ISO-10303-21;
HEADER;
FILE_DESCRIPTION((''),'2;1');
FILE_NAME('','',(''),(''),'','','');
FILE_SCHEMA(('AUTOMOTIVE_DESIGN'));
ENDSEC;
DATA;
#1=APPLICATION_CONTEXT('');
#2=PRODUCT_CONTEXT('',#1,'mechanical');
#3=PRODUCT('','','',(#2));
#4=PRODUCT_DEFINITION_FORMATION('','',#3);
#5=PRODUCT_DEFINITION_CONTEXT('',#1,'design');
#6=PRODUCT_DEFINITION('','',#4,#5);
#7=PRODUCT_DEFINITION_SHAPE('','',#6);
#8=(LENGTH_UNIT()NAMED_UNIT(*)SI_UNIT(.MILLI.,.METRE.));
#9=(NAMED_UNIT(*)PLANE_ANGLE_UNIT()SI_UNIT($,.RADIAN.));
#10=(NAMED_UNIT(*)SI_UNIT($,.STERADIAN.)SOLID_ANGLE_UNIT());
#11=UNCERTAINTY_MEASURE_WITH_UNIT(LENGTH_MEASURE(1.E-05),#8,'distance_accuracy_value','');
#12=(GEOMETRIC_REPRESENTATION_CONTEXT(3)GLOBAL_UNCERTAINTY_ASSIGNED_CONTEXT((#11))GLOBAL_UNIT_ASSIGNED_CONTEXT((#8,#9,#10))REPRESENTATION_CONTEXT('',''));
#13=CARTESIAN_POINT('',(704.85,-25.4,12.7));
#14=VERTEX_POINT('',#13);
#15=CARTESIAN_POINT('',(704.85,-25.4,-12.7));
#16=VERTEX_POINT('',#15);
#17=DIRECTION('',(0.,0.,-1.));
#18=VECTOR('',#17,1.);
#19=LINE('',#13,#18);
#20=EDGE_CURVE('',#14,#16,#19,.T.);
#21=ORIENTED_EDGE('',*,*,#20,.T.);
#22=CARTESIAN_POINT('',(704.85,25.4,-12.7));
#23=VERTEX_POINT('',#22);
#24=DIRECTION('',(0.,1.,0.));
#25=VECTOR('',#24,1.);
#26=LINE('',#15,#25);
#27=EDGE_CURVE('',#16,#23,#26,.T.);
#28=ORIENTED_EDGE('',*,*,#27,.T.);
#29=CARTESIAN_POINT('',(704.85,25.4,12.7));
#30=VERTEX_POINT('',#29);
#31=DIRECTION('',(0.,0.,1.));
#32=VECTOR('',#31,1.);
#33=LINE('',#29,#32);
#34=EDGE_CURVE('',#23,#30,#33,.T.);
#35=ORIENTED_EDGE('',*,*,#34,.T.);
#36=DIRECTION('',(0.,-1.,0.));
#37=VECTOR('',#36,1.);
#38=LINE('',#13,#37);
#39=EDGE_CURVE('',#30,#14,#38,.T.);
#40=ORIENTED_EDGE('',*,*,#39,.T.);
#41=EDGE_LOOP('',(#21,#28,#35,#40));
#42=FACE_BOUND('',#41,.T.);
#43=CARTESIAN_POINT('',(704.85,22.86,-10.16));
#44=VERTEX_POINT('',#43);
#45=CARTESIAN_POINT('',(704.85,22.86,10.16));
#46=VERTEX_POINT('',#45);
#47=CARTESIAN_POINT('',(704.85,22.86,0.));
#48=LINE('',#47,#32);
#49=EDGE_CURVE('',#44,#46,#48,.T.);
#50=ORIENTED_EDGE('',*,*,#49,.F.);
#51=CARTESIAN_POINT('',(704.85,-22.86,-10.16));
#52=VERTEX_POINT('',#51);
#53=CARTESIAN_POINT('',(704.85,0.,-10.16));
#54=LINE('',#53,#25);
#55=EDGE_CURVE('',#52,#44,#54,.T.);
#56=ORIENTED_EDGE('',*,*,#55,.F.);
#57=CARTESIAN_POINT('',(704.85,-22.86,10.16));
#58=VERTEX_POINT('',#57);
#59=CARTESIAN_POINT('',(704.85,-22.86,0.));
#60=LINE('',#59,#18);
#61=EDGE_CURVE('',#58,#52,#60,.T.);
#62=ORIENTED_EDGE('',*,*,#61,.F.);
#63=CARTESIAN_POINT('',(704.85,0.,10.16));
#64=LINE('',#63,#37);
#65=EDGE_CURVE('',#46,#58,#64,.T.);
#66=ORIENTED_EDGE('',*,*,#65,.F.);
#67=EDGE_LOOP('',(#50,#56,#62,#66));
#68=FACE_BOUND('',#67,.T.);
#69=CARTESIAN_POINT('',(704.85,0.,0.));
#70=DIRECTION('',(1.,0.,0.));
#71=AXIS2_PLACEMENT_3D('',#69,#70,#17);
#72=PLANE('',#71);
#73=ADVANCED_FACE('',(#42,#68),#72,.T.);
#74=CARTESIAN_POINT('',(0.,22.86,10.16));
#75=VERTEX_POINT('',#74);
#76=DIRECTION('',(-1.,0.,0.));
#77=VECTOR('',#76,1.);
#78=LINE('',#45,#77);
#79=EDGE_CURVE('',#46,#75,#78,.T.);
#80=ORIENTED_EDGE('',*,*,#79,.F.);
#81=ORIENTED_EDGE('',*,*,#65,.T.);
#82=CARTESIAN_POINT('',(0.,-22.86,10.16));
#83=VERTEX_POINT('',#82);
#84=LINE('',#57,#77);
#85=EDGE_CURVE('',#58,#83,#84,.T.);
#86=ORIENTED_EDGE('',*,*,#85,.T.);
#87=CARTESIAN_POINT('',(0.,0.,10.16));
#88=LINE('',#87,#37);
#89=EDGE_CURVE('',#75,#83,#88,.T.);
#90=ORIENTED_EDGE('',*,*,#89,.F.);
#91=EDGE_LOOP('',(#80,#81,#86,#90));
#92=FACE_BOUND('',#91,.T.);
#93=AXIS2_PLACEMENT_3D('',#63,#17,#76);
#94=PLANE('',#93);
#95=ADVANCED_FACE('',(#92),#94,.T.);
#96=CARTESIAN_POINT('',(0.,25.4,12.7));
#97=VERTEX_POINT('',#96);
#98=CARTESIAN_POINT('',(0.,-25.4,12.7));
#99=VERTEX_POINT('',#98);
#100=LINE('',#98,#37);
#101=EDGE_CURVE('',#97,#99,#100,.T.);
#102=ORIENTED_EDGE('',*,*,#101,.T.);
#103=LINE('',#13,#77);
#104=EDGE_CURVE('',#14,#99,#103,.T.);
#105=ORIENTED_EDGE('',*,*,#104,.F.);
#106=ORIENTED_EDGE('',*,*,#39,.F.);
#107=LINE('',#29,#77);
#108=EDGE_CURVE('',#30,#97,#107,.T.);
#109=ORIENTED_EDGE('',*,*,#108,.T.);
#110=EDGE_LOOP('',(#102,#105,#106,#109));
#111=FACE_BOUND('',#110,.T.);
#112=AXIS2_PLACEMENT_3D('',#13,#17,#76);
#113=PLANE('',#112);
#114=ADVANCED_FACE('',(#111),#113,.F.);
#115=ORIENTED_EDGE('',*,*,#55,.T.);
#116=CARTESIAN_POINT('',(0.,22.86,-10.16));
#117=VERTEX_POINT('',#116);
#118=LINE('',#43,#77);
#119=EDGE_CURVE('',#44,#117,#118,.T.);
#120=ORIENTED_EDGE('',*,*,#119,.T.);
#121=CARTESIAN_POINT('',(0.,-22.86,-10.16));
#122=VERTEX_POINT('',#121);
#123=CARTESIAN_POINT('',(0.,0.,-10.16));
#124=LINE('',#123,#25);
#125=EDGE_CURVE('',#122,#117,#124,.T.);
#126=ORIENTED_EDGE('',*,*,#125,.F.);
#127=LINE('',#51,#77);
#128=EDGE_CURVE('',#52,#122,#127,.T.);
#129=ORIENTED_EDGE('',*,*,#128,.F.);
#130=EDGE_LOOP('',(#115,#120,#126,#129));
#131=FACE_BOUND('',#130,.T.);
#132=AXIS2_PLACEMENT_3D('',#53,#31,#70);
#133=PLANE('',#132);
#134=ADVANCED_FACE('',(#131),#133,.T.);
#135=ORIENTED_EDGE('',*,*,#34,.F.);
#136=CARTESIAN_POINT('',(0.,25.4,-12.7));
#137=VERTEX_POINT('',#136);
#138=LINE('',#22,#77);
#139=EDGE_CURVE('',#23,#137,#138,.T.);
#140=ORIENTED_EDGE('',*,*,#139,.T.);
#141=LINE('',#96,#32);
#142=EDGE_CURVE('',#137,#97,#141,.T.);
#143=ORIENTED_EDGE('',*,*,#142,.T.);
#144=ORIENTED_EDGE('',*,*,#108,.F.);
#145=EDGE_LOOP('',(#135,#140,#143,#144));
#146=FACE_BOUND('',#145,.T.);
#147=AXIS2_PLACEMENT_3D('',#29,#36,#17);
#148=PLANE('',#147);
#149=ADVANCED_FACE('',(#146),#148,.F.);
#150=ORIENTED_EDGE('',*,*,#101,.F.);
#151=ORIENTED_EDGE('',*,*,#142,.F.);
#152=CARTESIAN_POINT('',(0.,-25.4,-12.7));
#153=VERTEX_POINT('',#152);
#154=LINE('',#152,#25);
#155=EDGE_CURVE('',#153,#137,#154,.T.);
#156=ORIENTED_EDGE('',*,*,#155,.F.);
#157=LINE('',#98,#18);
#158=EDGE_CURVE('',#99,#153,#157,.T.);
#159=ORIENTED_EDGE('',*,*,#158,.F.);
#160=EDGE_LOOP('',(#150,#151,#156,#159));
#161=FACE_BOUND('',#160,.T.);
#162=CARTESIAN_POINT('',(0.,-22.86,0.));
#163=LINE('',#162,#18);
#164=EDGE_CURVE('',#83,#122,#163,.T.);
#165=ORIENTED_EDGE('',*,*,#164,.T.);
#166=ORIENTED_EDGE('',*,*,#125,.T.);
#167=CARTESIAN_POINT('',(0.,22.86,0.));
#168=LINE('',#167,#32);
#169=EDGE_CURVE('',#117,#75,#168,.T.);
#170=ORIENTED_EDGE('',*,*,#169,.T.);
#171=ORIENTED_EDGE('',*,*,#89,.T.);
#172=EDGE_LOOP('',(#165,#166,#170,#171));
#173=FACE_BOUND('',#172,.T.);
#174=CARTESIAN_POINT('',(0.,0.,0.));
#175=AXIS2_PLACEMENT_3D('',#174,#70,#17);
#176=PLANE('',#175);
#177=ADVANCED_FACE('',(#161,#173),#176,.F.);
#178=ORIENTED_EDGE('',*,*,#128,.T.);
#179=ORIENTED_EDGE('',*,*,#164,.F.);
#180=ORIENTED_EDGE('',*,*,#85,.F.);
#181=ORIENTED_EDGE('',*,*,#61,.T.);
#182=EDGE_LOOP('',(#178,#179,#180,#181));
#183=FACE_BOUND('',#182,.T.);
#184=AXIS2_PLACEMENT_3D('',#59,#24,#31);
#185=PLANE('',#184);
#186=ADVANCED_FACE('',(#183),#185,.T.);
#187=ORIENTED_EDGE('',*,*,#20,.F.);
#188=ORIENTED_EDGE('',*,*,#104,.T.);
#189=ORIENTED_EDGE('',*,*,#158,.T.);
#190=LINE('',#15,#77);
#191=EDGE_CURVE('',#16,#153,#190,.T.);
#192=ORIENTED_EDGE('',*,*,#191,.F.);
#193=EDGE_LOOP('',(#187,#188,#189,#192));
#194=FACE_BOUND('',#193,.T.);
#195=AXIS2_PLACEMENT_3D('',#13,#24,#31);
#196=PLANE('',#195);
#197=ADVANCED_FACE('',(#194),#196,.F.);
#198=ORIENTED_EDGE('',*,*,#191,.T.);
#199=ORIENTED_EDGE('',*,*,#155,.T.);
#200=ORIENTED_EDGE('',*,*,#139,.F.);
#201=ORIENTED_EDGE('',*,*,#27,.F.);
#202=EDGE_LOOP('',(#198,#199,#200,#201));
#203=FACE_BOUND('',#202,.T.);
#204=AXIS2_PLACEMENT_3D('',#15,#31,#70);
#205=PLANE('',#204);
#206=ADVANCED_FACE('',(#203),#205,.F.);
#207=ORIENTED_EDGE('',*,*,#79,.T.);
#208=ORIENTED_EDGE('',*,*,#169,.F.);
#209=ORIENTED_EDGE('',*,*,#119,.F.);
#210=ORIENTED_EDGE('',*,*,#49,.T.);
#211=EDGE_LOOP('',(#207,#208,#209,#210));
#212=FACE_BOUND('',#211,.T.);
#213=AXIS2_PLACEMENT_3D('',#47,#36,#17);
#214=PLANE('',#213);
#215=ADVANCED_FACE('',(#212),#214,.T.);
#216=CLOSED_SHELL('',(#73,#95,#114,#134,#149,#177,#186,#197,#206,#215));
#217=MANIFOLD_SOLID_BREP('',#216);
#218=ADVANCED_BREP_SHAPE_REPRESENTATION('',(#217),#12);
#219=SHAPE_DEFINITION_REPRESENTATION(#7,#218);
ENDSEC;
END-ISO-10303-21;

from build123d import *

# Parameters (mm, degrees)
SKETCH1_W           = 25.4
SKETCH1_H           = 50.8
SKETCH1_W_2         = 20.32
SKETCH1_H_2         = 45.72
EXTRUDE_THIN1_DEPTH = 704.85


with BuildPart() as part:
    # Sketch1 → Extrude-Thin1 (new body)
    with BuildSketch(Plane(origin=(0, 0, 0), x_dir=(0, 0, -1), z_dir=(1, 0, 0))):
        Rectangle(SKETCH1_W, SKETCH1_H)
        Rectangle(SKETCH1_W_2, SKETCH1_H_2, mode=Mode.SUBTRACT)
    extrude(amount=EXTRUDE_THIN1_DEPTH)


solid = part.part
